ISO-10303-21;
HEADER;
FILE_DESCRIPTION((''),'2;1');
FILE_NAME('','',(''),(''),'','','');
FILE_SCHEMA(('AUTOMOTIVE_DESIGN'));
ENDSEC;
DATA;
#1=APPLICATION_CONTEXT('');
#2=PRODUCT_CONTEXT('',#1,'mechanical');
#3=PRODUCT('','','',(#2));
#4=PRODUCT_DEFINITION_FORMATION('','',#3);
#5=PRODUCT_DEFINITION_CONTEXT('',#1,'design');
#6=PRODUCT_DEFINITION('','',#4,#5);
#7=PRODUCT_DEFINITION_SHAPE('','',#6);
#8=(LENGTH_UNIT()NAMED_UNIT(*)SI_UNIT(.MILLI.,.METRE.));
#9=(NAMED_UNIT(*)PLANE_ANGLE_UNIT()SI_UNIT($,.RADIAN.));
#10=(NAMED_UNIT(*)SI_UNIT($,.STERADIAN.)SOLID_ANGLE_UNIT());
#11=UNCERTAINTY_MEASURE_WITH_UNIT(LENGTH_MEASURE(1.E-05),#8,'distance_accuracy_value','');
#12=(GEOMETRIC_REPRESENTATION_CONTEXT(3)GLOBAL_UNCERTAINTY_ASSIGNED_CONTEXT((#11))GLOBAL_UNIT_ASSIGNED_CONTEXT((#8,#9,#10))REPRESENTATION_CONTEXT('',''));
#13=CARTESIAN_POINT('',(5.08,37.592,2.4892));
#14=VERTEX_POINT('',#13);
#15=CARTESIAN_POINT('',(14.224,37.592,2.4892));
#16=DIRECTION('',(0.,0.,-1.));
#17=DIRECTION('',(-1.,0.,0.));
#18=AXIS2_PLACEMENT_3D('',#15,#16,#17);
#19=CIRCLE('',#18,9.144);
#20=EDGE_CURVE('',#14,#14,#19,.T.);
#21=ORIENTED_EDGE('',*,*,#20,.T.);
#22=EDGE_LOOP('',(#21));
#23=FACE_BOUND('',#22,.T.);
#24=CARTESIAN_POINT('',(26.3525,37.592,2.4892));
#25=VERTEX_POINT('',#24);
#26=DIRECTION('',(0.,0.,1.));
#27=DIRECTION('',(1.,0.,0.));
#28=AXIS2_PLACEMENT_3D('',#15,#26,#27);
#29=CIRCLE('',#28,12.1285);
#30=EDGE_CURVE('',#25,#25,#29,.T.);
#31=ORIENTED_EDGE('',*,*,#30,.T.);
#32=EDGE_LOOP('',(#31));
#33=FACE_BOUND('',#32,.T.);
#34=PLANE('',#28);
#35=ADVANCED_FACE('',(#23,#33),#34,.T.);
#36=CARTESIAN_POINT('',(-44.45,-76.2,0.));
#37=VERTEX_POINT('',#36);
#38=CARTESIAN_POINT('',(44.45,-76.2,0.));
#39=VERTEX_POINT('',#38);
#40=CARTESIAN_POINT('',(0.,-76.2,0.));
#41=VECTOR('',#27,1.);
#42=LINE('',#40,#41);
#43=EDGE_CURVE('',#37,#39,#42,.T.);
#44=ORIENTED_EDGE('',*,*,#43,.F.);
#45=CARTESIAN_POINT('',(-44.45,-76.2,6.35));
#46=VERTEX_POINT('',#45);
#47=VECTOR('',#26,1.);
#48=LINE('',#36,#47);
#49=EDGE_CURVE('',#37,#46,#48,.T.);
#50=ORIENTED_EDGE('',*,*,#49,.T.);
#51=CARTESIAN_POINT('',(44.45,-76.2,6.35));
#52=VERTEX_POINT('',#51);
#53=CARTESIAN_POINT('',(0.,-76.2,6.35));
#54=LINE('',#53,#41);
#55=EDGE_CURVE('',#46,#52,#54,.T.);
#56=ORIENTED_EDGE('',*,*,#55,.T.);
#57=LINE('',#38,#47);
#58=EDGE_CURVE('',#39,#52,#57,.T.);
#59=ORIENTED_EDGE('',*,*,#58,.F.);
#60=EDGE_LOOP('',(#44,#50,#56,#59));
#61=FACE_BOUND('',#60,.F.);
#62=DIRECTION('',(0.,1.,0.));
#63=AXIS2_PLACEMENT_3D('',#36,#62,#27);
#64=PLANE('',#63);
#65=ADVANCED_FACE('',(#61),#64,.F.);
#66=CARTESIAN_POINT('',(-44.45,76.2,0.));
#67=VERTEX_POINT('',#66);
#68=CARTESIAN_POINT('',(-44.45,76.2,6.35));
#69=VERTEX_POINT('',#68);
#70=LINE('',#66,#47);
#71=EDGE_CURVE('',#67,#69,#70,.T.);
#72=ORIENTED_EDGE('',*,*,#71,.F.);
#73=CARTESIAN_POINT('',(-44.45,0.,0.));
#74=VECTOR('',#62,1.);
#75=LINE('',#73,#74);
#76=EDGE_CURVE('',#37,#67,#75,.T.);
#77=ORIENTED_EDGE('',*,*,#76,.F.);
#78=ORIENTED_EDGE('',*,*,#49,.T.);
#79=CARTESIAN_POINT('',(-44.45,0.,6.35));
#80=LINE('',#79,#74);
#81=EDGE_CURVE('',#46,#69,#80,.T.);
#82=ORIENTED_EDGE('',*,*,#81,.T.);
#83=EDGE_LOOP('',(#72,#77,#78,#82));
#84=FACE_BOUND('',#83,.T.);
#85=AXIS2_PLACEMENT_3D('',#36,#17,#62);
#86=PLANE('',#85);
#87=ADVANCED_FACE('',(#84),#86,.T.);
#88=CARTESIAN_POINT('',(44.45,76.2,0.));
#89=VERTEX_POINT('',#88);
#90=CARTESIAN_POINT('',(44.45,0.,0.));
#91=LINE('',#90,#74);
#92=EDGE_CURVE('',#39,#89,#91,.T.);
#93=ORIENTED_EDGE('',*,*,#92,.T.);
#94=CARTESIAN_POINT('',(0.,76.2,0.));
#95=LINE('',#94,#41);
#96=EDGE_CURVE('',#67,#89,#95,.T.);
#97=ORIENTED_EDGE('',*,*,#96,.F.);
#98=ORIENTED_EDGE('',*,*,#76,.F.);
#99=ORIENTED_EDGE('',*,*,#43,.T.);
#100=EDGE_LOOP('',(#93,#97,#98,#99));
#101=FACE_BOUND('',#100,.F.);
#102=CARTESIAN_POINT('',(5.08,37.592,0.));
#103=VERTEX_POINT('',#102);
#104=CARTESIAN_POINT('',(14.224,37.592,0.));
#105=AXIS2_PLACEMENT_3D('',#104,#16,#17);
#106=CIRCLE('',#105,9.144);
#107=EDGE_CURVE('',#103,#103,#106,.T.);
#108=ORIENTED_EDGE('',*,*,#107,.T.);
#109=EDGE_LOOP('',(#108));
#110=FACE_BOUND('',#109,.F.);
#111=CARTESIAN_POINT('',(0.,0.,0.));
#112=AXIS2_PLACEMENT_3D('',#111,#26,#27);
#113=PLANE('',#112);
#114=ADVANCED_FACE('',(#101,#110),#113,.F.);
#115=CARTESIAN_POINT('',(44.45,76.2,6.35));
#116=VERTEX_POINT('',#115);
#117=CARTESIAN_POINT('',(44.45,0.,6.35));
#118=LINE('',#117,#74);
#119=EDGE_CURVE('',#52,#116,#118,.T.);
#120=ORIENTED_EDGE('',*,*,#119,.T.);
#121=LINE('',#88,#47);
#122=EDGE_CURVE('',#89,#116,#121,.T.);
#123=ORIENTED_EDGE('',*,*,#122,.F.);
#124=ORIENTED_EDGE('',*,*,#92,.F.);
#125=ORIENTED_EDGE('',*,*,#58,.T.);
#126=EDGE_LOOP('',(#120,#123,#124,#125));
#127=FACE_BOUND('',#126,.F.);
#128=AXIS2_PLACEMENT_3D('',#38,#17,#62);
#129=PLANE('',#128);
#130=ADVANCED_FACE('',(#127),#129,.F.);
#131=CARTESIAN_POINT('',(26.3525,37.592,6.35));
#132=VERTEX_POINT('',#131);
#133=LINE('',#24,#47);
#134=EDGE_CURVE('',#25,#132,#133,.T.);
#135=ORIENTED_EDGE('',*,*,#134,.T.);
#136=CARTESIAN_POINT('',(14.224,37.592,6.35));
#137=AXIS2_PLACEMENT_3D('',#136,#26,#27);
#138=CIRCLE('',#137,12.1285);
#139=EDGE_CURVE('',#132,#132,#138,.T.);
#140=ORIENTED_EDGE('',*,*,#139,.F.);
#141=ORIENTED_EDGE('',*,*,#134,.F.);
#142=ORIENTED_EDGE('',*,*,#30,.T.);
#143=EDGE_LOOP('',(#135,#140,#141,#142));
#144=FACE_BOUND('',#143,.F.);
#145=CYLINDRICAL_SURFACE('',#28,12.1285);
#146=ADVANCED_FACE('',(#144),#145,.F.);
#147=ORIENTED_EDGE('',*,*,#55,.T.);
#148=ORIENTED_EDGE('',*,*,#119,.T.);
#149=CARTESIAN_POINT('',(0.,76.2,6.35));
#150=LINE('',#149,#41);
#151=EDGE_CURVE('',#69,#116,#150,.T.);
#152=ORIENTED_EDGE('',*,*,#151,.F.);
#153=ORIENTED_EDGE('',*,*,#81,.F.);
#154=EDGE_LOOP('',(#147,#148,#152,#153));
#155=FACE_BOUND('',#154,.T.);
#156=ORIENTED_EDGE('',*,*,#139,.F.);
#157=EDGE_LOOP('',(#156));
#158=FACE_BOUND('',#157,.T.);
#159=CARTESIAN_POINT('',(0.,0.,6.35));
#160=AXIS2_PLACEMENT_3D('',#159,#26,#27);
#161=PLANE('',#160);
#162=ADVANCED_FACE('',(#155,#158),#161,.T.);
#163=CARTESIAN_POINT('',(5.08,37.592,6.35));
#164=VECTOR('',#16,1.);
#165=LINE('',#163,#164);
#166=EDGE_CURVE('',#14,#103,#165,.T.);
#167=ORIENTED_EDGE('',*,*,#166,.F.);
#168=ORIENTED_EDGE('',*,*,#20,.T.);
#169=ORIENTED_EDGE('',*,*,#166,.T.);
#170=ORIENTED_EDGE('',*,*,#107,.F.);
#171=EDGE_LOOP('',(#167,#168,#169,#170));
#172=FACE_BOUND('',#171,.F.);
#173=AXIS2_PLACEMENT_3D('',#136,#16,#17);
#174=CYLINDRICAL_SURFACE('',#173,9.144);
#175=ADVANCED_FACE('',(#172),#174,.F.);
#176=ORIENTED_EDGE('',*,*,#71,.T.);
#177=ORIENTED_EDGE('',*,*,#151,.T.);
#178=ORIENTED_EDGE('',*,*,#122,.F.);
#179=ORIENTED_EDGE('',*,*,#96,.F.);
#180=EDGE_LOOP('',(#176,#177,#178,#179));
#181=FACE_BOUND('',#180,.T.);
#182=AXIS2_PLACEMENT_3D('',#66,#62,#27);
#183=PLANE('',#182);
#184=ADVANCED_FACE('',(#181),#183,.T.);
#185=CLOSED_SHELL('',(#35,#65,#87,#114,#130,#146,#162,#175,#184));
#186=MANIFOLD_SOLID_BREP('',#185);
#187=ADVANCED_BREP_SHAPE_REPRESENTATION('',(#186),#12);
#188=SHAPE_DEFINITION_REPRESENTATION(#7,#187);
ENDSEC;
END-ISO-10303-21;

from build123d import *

# Parameters (mm, degrees)
F0_W           = 88.9
F0_H           = 152.4
F1_DEPTH       = 6.35
F3_D           = 18.288
F3_CBORE_D     = 24.257
F3_CBORE_DEPTH = 3.8608


with BuildPart() as f1:
    # F0 (on Top) → F1 (new body)
    with BuildSketch(Plane.XY):
        Rectangle(F0_W, F0_H)
    extrude(amount=F1_DEPTH)

    # F3 (through all)
    with Locations(Plane.XY.offset(6.35)):
        with Locations((14.224, 37.592)):
            CounterBoreHole(F3_D / 2, F3_CBORE_D / 2, F3_CBORE_DEPTH)


solid = f1.part
